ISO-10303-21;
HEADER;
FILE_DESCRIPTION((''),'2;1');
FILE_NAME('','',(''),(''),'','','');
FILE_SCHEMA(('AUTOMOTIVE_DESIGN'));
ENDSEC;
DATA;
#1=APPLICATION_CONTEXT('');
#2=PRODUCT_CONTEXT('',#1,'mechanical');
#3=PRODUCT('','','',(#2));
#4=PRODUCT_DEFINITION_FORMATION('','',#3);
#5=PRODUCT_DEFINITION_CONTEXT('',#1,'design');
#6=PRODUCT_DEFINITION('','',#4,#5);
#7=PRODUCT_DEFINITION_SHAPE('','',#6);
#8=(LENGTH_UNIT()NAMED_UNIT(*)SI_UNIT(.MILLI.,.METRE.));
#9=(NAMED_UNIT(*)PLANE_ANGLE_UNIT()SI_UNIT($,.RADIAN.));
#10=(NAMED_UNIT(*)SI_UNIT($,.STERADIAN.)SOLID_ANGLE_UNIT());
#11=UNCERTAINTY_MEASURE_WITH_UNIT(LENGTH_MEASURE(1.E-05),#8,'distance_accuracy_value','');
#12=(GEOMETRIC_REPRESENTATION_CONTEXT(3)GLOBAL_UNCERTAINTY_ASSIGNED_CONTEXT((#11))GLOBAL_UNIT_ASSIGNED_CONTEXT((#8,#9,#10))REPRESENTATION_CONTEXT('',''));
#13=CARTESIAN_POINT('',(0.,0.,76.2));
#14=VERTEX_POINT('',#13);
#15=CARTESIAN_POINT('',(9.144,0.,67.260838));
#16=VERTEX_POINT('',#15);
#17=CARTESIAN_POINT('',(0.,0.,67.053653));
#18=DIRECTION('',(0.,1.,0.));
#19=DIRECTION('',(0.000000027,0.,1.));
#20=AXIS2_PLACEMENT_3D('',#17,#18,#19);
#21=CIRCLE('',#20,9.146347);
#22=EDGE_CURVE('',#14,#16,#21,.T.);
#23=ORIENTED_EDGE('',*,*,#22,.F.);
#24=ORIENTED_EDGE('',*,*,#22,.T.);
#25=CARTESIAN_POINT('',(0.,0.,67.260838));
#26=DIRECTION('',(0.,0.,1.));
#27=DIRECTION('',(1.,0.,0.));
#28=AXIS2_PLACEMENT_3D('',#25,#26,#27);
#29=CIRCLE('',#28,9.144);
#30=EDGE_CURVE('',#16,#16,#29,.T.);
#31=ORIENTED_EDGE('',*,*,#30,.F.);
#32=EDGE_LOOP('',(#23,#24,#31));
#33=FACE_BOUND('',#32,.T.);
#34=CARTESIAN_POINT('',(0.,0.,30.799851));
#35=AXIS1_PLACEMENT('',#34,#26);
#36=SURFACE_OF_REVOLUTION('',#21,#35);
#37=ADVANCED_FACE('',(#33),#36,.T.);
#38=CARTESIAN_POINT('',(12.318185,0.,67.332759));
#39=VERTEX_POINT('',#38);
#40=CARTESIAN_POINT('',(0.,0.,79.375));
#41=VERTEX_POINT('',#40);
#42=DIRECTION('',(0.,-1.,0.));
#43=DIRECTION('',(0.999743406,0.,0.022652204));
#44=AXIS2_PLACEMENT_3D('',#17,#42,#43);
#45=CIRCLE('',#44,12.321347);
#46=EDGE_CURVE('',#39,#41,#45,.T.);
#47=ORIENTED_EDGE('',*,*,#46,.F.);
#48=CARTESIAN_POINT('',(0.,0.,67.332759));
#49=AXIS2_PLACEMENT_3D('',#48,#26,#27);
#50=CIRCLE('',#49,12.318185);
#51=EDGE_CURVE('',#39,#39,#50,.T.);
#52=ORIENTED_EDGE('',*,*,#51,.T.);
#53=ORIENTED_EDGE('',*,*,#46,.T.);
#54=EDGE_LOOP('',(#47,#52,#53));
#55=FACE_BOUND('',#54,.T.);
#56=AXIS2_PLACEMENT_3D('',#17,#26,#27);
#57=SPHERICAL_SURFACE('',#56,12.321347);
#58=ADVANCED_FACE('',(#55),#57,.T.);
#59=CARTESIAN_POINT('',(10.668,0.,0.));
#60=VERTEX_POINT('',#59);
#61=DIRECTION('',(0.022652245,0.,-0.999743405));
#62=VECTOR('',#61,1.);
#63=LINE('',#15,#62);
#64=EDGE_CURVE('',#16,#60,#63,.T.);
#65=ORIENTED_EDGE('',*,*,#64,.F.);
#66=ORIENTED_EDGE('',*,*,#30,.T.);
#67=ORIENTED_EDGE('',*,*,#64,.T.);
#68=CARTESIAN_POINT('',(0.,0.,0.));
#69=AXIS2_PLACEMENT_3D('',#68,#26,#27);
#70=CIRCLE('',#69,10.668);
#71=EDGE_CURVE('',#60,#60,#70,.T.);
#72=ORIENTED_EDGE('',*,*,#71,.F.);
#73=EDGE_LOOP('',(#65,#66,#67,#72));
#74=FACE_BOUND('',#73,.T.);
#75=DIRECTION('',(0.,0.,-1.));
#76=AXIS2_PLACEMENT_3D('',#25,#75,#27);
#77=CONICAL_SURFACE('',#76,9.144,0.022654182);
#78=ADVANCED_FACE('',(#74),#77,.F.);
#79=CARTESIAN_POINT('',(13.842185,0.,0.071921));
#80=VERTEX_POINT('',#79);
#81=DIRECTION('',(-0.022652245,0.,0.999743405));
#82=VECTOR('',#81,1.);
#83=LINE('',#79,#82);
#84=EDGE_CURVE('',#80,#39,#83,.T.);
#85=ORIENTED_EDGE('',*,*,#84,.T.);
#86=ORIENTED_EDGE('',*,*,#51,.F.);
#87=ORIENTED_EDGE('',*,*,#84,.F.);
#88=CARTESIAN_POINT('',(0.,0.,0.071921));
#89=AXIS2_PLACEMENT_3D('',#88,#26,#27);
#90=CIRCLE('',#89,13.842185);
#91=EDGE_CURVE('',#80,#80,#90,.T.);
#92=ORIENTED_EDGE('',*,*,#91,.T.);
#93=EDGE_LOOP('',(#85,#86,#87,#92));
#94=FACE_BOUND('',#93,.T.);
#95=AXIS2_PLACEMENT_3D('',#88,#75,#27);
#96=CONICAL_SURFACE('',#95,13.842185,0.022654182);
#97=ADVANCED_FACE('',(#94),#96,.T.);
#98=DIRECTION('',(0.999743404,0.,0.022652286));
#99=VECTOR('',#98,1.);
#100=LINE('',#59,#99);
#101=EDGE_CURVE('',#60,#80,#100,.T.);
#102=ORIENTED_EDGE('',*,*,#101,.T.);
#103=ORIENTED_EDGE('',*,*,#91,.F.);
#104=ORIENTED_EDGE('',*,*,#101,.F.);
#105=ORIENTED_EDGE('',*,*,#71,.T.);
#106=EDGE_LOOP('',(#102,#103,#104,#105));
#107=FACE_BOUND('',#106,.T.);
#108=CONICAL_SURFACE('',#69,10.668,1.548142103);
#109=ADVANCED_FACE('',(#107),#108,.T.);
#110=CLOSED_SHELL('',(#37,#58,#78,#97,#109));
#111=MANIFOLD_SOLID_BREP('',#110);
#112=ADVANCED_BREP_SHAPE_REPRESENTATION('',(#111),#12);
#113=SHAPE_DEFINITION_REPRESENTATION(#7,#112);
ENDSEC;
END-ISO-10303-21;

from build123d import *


with BuildPart() as f2:
    # F0 (on Front) → F2 (revolve)
    with BuildSketch(Plane.XZ):
        with BuildLine():
            ThreePointArc((0, 76.2), (6.393773, 73.593938), (9.144, 67.260838))
            Line((9.144, 67.260838), (10.668, 0))
            Line((10.668, 0), (13.842185, 0.071921))
            Line((13.842185, 0.071921), (12.318185, 67.332759))
            ThreePointArc((12.318185, 67.332759), (8.613264, 75.864287), (0, 79.375))
            Line((0, 79.375), (0, 76.2))
        make_face()
    revolve(axis=Axis((0, 0, 30.799851), (0, 0, 1)))


solid = f2.part
